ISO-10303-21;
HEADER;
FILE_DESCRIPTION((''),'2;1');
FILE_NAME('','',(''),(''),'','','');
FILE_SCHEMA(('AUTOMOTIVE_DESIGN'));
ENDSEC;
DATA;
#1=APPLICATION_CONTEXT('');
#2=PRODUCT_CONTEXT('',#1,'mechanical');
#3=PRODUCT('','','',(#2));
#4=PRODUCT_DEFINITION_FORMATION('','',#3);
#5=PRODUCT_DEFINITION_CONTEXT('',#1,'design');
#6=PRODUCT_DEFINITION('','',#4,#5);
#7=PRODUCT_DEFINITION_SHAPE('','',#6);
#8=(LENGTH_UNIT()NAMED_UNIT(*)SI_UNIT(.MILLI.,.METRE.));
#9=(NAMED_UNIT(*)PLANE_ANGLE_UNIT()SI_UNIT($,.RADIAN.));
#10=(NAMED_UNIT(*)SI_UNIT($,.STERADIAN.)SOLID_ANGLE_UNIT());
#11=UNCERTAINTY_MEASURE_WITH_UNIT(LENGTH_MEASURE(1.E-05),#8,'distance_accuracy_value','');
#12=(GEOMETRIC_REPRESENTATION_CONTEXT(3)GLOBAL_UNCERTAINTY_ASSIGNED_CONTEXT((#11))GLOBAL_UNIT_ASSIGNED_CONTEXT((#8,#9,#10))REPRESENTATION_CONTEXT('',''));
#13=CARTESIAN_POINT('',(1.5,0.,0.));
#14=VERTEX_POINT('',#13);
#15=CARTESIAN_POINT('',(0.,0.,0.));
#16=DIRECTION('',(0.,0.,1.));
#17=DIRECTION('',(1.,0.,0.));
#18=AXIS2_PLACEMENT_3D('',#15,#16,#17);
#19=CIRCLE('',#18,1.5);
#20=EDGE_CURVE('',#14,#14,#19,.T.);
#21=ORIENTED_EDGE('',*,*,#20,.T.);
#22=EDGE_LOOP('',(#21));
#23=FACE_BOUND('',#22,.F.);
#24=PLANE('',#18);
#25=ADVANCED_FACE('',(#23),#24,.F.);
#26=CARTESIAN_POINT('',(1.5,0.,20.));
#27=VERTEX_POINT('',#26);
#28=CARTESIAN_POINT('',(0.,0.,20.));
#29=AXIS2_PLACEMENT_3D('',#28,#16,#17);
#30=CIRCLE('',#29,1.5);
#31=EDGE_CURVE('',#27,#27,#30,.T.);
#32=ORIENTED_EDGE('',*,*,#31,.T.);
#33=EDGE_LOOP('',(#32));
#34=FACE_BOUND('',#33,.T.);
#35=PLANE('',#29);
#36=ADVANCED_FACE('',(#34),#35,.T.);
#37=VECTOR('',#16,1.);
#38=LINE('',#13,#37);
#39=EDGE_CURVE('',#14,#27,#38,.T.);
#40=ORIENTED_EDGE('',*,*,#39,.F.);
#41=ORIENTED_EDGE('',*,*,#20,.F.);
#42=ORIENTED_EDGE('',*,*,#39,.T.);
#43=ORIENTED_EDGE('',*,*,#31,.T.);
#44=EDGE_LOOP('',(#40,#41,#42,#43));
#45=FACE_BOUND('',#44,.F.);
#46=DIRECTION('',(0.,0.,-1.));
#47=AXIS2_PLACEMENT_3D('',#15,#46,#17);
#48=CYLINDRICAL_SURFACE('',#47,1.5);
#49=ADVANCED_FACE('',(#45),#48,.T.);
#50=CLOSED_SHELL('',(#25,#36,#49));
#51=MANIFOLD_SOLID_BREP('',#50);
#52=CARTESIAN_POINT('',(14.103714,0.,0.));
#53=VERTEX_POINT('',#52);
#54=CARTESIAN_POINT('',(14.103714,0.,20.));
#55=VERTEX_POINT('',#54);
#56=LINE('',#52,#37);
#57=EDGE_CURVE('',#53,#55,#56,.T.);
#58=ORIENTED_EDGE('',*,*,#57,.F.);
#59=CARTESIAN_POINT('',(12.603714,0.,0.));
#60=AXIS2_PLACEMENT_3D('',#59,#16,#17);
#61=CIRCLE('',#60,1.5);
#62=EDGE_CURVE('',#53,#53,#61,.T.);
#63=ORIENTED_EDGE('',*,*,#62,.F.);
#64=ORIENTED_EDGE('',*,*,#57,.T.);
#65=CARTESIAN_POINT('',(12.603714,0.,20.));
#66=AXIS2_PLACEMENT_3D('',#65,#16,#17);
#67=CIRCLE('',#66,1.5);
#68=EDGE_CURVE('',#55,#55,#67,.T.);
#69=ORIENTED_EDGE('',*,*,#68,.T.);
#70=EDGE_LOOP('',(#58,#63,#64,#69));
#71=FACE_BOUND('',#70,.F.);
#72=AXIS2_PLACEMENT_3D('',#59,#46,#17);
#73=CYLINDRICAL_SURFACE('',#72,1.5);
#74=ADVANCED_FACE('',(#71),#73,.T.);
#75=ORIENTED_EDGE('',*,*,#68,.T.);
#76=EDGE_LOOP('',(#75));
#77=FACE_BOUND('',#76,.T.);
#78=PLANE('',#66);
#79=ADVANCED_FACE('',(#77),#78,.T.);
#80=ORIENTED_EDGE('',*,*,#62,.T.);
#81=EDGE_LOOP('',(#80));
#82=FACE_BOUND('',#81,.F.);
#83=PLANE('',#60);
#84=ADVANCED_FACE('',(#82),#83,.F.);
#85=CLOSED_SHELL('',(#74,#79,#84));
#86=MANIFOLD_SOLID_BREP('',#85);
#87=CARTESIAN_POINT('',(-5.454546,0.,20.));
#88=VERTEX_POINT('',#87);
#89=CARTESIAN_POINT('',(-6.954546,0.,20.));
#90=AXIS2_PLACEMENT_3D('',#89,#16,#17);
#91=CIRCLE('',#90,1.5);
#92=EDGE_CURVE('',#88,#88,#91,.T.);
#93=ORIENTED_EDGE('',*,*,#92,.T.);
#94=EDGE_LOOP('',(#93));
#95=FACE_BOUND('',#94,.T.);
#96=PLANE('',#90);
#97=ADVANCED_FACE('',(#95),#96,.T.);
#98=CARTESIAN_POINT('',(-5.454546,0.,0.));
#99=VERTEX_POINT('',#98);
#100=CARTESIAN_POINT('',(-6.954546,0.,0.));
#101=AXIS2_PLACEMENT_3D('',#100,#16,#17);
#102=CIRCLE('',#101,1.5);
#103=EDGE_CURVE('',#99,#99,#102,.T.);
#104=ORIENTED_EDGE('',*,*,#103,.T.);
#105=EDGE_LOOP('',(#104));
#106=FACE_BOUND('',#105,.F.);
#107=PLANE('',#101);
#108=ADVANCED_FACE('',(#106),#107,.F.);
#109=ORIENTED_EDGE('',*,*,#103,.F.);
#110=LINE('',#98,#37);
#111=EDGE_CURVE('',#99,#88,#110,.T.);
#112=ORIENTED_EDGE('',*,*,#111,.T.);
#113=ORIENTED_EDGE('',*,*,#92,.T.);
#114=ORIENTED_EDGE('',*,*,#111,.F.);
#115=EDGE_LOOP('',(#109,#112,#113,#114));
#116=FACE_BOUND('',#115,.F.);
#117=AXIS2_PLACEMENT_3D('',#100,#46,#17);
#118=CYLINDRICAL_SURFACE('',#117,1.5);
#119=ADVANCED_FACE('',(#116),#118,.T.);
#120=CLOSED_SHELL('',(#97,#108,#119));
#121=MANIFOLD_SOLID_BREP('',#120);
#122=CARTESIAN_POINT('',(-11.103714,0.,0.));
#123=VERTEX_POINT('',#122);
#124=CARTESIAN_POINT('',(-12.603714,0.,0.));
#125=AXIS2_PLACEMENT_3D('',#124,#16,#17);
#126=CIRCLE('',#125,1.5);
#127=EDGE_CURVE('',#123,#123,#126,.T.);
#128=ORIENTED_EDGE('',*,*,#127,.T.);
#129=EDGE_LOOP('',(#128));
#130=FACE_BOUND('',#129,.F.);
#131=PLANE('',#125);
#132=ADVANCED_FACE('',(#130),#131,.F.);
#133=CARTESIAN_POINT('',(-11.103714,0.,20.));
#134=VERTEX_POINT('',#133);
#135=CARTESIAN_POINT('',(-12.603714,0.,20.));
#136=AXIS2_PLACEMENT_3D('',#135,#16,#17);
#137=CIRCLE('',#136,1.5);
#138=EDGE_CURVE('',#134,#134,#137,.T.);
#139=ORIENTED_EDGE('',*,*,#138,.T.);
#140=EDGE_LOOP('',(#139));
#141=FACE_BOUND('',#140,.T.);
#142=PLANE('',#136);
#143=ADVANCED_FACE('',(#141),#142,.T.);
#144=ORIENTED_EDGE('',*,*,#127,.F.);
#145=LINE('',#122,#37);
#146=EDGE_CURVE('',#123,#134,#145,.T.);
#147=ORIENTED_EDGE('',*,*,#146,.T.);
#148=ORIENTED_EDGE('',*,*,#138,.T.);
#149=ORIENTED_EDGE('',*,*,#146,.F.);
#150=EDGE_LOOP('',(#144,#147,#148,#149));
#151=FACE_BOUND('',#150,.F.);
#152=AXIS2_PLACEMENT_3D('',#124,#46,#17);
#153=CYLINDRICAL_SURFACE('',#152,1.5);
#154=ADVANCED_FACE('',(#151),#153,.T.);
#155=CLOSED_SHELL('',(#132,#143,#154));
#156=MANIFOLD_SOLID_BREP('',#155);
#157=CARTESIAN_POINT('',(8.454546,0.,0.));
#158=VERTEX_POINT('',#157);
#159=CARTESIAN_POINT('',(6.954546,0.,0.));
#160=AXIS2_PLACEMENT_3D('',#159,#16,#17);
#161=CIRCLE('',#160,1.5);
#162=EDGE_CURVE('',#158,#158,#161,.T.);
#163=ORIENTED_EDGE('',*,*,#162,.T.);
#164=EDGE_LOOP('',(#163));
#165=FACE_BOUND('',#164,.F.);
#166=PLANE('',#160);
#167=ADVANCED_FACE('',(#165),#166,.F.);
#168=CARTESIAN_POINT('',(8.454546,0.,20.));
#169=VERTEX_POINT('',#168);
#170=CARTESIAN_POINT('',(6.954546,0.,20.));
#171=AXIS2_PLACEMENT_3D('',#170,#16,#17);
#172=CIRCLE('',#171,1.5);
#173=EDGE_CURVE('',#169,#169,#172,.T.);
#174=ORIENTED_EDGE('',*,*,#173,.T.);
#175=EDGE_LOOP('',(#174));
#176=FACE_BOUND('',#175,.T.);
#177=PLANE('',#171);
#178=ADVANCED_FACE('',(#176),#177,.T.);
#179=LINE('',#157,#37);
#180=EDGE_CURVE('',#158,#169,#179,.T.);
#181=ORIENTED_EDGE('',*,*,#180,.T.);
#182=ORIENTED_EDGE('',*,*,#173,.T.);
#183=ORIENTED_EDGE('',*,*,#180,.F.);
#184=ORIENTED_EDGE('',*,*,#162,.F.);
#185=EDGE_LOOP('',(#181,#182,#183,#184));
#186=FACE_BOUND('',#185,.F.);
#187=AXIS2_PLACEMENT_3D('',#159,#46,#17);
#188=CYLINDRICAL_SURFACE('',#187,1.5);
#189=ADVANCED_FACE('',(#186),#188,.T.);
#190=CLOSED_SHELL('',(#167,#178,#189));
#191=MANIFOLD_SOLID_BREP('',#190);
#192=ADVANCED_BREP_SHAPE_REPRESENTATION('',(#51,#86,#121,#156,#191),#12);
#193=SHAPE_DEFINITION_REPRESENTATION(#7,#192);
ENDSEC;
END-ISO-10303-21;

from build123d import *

# Parameters (mm, degrees)
F0_R     = 1.5
F1_DEPTH = 20


with BuildPart() as f1:
    # F0 (on Top) → F1 (new body)
    with BuildSketch(Plane.XY):
        Circle(F0_R)
        with Locations((6.954546, 0)):
            Circle(F0_R)
        with Locations((12.603714, 0)):
            Circle(F0_R)
        with Locations((-6.954546, 0)):
            Circle(F0_R)
        with Locations((-12.603714, 0)):
            Circle(F0_R)
    extrude(amount=F1_DEPTH)


solid = f1.part
